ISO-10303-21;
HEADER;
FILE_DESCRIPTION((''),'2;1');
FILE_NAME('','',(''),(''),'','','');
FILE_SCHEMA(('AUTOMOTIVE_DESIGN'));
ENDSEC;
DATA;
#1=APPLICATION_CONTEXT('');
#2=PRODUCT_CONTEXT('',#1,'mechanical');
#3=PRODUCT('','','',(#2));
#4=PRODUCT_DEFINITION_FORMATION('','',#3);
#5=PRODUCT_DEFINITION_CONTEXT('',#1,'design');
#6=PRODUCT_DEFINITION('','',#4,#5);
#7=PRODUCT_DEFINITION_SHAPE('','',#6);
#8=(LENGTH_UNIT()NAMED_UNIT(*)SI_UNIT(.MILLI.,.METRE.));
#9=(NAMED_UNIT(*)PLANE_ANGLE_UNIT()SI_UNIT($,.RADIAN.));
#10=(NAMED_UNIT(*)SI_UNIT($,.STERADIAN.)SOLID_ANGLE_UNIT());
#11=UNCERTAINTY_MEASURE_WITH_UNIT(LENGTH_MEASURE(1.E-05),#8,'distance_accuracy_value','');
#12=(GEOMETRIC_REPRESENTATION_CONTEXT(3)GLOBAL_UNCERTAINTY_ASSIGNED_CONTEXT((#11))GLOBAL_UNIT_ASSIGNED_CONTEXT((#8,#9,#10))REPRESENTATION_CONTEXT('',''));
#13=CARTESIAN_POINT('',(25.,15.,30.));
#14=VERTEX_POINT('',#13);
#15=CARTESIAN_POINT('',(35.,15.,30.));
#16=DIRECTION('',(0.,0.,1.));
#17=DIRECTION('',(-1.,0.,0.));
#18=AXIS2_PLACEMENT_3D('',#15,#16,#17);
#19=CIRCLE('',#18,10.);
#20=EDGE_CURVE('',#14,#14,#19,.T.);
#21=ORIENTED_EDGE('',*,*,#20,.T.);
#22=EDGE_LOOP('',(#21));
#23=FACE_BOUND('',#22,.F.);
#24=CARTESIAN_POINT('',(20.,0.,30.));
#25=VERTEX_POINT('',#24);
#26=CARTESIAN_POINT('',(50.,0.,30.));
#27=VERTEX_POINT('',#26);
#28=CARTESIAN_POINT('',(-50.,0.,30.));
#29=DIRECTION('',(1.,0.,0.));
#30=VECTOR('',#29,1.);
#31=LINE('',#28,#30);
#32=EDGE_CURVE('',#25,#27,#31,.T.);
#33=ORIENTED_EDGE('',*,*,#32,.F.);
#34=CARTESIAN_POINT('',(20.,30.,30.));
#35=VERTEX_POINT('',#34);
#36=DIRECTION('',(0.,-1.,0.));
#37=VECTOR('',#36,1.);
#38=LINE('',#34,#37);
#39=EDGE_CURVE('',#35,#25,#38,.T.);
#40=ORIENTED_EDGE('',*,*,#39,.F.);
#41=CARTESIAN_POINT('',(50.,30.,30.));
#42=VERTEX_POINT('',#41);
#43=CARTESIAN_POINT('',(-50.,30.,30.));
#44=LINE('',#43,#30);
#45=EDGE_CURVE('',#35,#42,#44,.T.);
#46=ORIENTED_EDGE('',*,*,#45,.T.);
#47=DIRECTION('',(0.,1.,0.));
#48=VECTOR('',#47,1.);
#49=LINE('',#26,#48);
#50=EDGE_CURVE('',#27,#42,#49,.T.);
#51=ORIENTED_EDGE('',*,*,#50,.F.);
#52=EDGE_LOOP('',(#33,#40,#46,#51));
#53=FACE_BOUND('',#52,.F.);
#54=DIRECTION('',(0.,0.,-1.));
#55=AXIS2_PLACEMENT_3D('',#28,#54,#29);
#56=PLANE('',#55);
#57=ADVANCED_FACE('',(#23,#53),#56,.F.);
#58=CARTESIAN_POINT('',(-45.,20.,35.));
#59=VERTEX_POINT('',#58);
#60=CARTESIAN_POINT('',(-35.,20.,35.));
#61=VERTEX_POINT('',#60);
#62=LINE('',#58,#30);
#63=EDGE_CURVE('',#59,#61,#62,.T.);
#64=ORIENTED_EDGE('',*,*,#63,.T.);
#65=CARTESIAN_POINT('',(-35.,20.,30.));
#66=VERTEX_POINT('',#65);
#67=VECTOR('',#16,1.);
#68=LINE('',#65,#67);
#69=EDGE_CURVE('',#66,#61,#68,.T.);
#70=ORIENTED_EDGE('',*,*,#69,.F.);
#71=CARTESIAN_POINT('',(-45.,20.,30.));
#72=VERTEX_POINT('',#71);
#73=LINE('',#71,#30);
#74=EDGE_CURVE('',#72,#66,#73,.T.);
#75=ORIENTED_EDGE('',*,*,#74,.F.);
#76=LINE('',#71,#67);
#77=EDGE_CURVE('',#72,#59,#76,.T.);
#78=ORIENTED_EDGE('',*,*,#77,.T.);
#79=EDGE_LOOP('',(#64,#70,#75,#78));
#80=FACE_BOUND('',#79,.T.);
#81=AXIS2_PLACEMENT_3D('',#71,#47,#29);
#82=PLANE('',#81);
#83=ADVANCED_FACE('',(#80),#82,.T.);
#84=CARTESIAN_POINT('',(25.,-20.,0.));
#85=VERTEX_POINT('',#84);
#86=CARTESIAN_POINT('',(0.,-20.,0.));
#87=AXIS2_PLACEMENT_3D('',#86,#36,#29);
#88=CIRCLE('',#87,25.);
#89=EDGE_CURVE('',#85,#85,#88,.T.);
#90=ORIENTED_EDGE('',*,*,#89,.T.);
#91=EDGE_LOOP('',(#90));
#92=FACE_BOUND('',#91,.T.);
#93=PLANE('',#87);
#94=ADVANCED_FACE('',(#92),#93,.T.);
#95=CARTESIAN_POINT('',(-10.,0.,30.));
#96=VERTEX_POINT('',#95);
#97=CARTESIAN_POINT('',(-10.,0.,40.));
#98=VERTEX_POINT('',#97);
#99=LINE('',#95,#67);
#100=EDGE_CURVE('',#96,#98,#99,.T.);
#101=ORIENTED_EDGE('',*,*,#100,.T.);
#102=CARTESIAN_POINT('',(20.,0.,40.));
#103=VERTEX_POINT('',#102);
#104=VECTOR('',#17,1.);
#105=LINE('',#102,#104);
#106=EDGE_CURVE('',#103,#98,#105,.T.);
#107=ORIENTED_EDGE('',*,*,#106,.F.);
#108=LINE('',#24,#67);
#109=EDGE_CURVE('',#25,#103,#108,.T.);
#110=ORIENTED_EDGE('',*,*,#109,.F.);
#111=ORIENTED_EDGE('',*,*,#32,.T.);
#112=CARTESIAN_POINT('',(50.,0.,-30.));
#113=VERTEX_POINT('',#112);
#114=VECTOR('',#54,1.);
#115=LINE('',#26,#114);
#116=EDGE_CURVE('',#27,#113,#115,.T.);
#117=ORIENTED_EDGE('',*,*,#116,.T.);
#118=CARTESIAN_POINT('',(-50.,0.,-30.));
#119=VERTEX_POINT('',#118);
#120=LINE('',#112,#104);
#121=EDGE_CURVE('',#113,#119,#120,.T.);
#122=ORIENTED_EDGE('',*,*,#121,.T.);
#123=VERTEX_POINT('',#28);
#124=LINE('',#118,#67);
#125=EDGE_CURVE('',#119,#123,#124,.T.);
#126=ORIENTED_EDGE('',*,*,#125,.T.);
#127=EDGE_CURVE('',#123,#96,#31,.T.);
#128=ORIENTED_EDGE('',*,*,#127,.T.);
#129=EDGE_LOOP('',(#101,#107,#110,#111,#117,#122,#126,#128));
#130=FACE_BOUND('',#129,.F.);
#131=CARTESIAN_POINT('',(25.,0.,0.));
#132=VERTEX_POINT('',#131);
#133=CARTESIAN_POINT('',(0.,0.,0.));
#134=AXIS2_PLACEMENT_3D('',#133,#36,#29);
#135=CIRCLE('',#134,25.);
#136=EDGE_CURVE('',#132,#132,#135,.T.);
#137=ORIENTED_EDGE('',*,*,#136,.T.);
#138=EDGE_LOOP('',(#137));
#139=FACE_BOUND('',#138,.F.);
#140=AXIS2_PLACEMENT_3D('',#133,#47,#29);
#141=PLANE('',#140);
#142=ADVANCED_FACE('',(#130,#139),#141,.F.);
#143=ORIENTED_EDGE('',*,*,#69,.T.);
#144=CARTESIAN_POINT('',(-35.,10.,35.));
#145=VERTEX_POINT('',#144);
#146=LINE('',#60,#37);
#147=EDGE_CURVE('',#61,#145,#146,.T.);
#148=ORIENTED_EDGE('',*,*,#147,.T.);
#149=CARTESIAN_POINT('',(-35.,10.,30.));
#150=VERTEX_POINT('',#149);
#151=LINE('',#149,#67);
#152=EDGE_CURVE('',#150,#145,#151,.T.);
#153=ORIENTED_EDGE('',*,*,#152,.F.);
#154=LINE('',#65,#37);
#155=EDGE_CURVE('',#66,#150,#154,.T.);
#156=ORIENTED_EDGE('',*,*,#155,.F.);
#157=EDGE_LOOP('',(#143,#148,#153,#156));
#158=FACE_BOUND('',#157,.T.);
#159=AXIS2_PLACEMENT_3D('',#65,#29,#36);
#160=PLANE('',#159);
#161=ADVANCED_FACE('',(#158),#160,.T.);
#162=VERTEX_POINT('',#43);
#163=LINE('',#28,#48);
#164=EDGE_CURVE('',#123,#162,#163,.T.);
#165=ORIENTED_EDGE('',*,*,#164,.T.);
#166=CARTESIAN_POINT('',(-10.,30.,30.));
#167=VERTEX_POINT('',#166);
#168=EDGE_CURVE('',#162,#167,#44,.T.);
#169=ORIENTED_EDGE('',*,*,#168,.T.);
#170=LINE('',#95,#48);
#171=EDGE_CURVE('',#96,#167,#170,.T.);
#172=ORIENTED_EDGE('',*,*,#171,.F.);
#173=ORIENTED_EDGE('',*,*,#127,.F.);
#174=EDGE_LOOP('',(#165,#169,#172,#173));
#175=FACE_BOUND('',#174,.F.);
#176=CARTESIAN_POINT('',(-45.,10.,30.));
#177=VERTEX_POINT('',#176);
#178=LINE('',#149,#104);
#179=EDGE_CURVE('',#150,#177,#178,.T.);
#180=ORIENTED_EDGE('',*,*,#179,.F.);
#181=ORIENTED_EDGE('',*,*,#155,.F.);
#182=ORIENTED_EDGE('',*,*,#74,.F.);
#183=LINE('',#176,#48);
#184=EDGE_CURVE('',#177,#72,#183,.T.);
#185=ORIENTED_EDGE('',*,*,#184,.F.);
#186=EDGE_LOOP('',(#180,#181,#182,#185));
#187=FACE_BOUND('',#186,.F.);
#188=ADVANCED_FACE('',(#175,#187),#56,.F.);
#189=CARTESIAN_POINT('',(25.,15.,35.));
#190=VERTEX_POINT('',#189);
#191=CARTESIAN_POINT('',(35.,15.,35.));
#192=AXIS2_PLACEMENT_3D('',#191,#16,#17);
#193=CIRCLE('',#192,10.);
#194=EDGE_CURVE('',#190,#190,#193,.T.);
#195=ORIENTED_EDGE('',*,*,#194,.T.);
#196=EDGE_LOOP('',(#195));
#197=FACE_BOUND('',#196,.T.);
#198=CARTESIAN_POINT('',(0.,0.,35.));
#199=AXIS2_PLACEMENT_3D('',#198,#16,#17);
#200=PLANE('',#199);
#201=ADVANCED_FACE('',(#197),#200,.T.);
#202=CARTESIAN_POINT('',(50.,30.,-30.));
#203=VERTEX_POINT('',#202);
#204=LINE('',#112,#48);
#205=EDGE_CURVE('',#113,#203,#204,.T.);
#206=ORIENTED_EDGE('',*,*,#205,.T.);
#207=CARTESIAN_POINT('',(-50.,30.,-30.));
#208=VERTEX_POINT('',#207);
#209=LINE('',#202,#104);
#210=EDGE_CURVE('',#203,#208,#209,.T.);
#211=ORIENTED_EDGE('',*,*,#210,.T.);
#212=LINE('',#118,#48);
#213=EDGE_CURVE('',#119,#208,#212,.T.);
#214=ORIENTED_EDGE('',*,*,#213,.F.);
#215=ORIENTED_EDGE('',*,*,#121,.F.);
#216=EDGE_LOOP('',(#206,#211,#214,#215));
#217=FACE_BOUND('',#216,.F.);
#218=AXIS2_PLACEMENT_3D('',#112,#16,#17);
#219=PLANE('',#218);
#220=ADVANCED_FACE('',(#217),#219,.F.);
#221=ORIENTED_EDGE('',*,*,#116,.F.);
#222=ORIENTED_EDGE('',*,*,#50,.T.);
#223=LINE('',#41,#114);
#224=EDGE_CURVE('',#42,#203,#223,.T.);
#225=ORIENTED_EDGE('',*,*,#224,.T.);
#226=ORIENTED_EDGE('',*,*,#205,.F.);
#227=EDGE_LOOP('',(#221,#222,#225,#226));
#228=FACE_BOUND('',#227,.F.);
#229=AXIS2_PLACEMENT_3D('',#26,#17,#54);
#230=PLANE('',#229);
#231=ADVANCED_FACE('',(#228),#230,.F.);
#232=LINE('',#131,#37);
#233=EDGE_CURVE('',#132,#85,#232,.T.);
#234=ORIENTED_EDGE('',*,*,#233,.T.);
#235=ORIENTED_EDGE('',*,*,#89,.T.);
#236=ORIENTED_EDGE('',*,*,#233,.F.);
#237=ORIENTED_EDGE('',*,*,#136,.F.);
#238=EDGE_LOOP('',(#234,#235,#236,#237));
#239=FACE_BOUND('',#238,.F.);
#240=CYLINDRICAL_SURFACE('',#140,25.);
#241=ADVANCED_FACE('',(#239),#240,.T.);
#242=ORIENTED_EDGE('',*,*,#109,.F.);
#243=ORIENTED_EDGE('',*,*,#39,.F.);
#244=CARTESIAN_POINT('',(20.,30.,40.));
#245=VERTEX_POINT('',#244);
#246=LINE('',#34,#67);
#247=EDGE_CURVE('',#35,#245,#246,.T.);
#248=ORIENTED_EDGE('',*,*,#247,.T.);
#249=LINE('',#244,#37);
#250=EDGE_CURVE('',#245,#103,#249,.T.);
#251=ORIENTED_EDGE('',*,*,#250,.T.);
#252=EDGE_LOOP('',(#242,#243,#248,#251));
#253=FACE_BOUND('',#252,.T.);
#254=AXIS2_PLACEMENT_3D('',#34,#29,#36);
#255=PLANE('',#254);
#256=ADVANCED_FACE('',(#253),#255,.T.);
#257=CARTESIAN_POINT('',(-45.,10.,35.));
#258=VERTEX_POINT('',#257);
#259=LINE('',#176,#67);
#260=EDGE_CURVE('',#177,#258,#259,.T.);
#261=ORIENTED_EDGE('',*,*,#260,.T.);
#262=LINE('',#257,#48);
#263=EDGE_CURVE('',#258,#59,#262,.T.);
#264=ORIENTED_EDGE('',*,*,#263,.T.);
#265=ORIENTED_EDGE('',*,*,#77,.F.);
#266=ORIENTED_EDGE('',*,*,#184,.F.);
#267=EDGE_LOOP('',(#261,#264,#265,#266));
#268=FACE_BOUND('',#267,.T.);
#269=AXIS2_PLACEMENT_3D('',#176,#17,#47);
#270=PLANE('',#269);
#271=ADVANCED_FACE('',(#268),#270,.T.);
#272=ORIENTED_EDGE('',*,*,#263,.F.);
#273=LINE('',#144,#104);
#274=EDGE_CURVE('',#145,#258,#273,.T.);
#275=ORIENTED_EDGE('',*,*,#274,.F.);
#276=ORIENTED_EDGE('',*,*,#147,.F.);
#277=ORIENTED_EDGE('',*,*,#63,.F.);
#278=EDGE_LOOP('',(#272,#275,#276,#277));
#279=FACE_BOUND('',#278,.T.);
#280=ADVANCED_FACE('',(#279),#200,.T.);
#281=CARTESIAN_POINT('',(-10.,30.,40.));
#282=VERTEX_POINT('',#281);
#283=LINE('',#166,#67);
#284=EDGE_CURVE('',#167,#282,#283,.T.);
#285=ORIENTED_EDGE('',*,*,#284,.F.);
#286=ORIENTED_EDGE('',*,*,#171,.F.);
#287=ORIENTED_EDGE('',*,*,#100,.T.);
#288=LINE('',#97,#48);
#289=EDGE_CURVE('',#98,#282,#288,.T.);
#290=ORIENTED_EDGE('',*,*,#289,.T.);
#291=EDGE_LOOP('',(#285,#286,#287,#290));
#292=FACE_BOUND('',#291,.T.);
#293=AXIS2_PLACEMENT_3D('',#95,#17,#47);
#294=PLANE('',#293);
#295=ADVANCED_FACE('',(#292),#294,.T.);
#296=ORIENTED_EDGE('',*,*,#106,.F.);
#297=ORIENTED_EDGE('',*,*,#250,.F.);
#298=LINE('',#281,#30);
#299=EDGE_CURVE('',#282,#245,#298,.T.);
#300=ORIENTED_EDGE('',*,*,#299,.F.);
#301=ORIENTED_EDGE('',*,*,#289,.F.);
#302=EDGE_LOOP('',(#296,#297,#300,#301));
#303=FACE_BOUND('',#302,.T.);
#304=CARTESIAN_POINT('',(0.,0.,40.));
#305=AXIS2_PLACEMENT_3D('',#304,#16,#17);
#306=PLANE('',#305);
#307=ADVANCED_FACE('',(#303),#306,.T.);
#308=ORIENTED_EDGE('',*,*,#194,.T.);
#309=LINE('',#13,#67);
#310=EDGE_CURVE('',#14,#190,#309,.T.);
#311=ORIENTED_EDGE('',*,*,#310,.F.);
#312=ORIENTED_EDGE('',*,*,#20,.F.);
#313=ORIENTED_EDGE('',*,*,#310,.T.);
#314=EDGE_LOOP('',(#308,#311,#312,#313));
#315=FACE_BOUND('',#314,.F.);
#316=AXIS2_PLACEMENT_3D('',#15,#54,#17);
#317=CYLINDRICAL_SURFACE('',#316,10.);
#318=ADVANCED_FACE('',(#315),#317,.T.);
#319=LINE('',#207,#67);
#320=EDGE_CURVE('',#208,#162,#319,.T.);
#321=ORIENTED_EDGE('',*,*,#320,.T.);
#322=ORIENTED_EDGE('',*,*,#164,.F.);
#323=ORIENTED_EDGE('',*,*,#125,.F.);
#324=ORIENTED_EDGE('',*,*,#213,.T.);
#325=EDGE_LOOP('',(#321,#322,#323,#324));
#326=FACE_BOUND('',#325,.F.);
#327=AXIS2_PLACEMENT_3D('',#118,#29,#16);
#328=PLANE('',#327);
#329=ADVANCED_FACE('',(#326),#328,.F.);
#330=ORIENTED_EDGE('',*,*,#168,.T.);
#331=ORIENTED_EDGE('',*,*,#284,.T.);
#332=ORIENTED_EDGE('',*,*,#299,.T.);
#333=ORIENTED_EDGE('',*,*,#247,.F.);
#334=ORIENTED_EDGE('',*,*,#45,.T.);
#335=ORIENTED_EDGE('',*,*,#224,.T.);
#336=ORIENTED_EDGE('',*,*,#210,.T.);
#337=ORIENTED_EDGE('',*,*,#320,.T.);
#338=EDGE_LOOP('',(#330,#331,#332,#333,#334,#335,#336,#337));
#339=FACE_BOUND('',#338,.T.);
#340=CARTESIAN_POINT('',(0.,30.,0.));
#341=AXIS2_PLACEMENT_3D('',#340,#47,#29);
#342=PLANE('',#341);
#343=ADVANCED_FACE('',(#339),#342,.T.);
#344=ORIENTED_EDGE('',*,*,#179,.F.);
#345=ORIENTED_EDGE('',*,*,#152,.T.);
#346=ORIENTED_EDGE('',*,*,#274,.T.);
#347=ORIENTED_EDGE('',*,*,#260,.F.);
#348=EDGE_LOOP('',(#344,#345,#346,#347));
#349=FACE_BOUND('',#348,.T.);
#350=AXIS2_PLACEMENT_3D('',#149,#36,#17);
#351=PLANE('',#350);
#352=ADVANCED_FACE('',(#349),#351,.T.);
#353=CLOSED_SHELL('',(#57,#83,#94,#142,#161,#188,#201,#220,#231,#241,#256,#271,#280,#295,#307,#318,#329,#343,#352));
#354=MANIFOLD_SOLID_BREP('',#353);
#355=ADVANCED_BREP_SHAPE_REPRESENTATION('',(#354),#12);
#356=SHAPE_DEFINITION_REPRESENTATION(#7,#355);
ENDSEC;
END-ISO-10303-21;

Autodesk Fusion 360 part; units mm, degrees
sketch "Sketch1" plane through (0, 0, 0) normal (0, 1, 0) x (1, 0, 0)
  line L0 (-50, -30) -> (50, -30)
  line L1 (50, -30) -> (50, 30)
  line L2 (50, 30) -> (-50, 30)
  line L3 (-50, 30) -> (-50, -30)
  dimension "d1" = 100
  dimension "d2" = 60
extrude "Extrude1" add sketch "Sketch1" along normal blind 30
sketch "Sketch2" plane through (0, 0, 0) normal (0, -1, 0) x (1, 0, 0)
  line L0 (-50, 30) -> (-50, -30)
  line L1 (-50, -30) -> (50, -30)
  line L2 (50, -30) -> (50, 30)
  line L3 (50, 30) -> (-50, 30)
  circle A0 centre (0, 0) radius 25
  dimension "d5" = 50
extrude "Extrude2" add sketch "Sketch2" along normal blind 20 contours A0
sketch "Sketch3" plane through (0, 0, 30) normal (0, 0, 1) x (-1, 0, 0)
  line L0 (50, 0) -> (-50, 0)
  line L1 (-50, 0) -> (-50, -30)
  line L2 (-50, -30) -> (50, -30)
  line L3 (50, -30) -> (50, 0)
  circle A0 centre (-35, -15) radius 10
  dimension "d8" = 20
  dimension "d9" = 15
extrude "Extrude3" add sketch "Sketch3" along normal blind 5 contours A0
sketch "Sketch4" plane through (0, 0, 30) normal (0, 0, 1) x (-1, 0, 0)
  circle A0 centre (-35, -15) radius 10
  line L0 (50, 0) -> (-50, 0)
  line L1 (-50, 0) -> (-50, -30)
  line L2 (-50, -30) -> (50, -30)
  line L3 (50, -30) -> (50, 0)
sketch "Sketch5" plane through (0, 0, 30) normal (0, 0, 1) x (-1, 0, 0)
  line L0 (-20, 0) -> (10, 0)
  line L1 (10, 0) -> (10, -30)
  line L2 (10, -30) -> (-20, -30)
  line L3 (-20, -30) -> (-20, 0)
  line L4 (-20, 0) -> (-10, -10)
  line L5 (10, 0) -> (25, 0)
  dimension "d12" = 30
extrude "Extrude4" add sketch "Sketch5" along normal blind 10
sketch "Sketch6" plane through (0, 0, 30) normal (0, 0, 1) x (-1, 0, 0)
  line L0 (-20, 0) -> (-10, -10)
  line L1 (35, -10) -> (45, -10)
  line L2 (45, -10) -> (45, -20)
  line L3 (45, -20) -> (35, -20)
  line L4 (35, -20) -> (35, -10)
  line L5 (35, -10) -> (45, -20) construction
  line L6 (45, -10) -> (35, -20) construction
  line L7 (50, -30) -> (50, 0)
  point P0 (40, -15)
  dimension "d15" = 15
extrude "Extrude5" add sketch "Sketch6" along normal blind 5
sketch "Sketch7" plane through (0, 0, 30) normal (0, 0, 1) x (-1, 0, 0)
